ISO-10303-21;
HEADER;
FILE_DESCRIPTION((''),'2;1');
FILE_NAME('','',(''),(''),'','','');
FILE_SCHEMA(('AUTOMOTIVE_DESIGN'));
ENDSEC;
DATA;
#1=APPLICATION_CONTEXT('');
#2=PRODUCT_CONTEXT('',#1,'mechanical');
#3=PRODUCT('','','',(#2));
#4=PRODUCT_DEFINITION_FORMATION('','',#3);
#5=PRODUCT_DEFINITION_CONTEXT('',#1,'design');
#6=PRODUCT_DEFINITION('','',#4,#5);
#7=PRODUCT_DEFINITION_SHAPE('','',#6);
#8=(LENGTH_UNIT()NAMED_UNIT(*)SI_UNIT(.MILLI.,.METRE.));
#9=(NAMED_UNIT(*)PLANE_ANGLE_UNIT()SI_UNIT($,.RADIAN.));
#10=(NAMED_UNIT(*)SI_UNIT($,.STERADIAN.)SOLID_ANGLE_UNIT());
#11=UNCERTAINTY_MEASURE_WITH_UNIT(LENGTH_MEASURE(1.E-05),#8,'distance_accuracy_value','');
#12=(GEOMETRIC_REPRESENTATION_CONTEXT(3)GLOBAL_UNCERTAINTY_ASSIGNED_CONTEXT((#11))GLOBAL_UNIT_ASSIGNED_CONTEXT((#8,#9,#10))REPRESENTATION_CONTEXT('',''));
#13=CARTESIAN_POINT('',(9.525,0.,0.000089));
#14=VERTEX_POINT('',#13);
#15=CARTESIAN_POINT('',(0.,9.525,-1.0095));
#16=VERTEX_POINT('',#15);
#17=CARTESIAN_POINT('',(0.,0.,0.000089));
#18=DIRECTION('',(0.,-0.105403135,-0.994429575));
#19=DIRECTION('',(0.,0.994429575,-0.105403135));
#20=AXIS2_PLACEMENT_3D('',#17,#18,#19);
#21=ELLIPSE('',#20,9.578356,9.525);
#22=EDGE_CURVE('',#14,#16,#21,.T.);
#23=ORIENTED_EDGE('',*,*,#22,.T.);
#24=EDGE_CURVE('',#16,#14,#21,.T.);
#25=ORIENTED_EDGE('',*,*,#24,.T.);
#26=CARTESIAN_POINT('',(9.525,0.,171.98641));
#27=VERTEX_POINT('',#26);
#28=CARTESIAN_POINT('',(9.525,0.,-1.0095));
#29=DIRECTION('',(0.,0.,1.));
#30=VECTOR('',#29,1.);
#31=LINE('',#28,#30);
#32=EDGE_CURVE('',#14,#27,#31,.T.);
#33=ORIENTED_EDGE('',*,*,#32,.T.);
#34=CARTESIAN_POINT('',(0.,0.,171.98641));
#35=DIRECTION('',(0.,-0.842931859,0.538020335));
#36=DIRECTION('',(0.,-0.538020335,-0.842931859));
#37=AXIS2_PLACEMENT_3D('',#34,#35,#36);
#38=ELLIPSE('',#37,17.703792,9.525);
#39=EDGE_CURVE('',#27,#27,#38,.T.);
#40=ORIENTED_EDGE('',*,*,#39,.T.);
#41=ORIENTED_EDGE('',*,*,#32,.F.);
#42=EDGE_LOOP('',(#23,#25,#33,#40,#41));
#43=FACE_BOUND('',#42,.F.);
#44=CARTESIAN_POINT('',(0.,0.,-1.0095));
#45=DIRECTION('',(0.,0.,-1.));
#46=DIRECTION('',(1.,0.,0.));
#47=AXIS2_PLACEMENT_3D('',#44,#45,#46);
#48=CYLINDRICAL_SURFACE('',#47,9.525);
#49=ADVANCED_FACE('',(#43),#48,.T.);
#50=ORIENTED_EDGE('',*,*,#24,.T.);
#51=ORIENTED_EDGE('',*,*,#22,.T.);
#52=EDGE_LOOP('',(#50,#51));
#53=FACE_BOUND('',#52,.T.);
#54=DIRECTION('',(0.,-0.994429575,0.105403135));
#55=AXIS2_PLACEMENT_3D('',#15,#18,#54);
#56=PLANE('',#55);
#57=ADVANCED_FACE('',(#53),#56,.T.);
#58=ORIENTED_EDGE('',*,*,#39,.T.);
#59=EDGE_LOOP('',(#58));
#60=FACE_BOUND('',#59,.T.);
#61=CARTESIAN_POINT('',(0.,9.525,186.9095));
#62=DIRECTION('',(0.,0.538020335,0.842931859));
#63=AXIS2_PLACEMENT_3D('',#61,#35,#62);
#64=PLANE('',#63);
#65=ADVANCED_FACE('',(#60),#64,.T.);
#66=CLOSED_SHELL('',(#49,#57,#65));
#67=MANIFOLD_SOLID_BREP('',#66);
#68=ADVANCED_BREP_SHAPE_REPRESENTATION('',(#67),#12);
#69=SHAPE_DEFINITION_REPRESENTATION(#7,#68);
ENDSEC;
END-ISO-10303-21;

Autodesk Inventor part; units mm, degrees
ref_plane "Start Plane" through (0, 0, -1.0095) normal (0, 0, 1) x (1, 0, 0)
ref_plane "End Plane" through (0, 0, 186.9095) normal (0, 0, 1) x (1, 0, 0)
sketch "Sketch" plane through (0, 0, 0) normal (0, 0, 1) x (1, 0, 0)
  circle A0 centre (0, 0) radius 9.525
  dimension "d0" = 19.05
extrude "Body" add sketch "Sketch" along normal up to surface (187.9191 mm away) from surface at -1.0095
sketch "Sketch2" plane through (0, 0, 0) normal (0, 0, 1) x (1, 0, 0)
  line L0 (0, 0) -> (10, 0)
ref_plane "Work Plane3" through (0, 0, 0) normal (0, -1, 0) x (1, 0, 0)
ref_plane "Work Plane4" through (0, 9.525, -1.0095) normal (0, -0.1054, -0.9944) x (1, 0, 0)
split "Split1" plane through (0, 9.525, -1.0095) removes the side toward (0, -0.1054, -0.9944)
ref_plane "Work Plane5" through (0, 9.525, 186.9095) normal (0, -0.8429, 0.538) x (1, 0, 0)
split "Split2" plane through (0, 9.525, 186.9095) removes the side toward (0, -0.8429, 0.538)
sketch "Sketch3" plane through (0, 0, 0) normal (0, -1, 0) x (1, 0, 0)
  line L0 (-2, -1.0095) -> (12, -1.0095) projected
  line L1 (-2, 186.9095) -> (12, 186.9095) projected
  dimension "d7" = 187.9191
equation "\"d0\" = Diam"
equation "\"d1\" = G_L"
equation "\"Diam\" = 19.05"
equation "\"G_L\" = d7"
equation "\"G_OFFSET_START\" = 1.00953"
equation "\"G_OFFSET_END\" = 14.92247"
equation "\"d4\" = -G_OFFSET_START"
equation "\"d5\" = G_OFFSET_END + B_L"
equation "\"B_L\" = 171.98707"
properties part number "ANSI/AISC Rolled Steel - 3/4-7.398, RB" material "Steel, Mild"
